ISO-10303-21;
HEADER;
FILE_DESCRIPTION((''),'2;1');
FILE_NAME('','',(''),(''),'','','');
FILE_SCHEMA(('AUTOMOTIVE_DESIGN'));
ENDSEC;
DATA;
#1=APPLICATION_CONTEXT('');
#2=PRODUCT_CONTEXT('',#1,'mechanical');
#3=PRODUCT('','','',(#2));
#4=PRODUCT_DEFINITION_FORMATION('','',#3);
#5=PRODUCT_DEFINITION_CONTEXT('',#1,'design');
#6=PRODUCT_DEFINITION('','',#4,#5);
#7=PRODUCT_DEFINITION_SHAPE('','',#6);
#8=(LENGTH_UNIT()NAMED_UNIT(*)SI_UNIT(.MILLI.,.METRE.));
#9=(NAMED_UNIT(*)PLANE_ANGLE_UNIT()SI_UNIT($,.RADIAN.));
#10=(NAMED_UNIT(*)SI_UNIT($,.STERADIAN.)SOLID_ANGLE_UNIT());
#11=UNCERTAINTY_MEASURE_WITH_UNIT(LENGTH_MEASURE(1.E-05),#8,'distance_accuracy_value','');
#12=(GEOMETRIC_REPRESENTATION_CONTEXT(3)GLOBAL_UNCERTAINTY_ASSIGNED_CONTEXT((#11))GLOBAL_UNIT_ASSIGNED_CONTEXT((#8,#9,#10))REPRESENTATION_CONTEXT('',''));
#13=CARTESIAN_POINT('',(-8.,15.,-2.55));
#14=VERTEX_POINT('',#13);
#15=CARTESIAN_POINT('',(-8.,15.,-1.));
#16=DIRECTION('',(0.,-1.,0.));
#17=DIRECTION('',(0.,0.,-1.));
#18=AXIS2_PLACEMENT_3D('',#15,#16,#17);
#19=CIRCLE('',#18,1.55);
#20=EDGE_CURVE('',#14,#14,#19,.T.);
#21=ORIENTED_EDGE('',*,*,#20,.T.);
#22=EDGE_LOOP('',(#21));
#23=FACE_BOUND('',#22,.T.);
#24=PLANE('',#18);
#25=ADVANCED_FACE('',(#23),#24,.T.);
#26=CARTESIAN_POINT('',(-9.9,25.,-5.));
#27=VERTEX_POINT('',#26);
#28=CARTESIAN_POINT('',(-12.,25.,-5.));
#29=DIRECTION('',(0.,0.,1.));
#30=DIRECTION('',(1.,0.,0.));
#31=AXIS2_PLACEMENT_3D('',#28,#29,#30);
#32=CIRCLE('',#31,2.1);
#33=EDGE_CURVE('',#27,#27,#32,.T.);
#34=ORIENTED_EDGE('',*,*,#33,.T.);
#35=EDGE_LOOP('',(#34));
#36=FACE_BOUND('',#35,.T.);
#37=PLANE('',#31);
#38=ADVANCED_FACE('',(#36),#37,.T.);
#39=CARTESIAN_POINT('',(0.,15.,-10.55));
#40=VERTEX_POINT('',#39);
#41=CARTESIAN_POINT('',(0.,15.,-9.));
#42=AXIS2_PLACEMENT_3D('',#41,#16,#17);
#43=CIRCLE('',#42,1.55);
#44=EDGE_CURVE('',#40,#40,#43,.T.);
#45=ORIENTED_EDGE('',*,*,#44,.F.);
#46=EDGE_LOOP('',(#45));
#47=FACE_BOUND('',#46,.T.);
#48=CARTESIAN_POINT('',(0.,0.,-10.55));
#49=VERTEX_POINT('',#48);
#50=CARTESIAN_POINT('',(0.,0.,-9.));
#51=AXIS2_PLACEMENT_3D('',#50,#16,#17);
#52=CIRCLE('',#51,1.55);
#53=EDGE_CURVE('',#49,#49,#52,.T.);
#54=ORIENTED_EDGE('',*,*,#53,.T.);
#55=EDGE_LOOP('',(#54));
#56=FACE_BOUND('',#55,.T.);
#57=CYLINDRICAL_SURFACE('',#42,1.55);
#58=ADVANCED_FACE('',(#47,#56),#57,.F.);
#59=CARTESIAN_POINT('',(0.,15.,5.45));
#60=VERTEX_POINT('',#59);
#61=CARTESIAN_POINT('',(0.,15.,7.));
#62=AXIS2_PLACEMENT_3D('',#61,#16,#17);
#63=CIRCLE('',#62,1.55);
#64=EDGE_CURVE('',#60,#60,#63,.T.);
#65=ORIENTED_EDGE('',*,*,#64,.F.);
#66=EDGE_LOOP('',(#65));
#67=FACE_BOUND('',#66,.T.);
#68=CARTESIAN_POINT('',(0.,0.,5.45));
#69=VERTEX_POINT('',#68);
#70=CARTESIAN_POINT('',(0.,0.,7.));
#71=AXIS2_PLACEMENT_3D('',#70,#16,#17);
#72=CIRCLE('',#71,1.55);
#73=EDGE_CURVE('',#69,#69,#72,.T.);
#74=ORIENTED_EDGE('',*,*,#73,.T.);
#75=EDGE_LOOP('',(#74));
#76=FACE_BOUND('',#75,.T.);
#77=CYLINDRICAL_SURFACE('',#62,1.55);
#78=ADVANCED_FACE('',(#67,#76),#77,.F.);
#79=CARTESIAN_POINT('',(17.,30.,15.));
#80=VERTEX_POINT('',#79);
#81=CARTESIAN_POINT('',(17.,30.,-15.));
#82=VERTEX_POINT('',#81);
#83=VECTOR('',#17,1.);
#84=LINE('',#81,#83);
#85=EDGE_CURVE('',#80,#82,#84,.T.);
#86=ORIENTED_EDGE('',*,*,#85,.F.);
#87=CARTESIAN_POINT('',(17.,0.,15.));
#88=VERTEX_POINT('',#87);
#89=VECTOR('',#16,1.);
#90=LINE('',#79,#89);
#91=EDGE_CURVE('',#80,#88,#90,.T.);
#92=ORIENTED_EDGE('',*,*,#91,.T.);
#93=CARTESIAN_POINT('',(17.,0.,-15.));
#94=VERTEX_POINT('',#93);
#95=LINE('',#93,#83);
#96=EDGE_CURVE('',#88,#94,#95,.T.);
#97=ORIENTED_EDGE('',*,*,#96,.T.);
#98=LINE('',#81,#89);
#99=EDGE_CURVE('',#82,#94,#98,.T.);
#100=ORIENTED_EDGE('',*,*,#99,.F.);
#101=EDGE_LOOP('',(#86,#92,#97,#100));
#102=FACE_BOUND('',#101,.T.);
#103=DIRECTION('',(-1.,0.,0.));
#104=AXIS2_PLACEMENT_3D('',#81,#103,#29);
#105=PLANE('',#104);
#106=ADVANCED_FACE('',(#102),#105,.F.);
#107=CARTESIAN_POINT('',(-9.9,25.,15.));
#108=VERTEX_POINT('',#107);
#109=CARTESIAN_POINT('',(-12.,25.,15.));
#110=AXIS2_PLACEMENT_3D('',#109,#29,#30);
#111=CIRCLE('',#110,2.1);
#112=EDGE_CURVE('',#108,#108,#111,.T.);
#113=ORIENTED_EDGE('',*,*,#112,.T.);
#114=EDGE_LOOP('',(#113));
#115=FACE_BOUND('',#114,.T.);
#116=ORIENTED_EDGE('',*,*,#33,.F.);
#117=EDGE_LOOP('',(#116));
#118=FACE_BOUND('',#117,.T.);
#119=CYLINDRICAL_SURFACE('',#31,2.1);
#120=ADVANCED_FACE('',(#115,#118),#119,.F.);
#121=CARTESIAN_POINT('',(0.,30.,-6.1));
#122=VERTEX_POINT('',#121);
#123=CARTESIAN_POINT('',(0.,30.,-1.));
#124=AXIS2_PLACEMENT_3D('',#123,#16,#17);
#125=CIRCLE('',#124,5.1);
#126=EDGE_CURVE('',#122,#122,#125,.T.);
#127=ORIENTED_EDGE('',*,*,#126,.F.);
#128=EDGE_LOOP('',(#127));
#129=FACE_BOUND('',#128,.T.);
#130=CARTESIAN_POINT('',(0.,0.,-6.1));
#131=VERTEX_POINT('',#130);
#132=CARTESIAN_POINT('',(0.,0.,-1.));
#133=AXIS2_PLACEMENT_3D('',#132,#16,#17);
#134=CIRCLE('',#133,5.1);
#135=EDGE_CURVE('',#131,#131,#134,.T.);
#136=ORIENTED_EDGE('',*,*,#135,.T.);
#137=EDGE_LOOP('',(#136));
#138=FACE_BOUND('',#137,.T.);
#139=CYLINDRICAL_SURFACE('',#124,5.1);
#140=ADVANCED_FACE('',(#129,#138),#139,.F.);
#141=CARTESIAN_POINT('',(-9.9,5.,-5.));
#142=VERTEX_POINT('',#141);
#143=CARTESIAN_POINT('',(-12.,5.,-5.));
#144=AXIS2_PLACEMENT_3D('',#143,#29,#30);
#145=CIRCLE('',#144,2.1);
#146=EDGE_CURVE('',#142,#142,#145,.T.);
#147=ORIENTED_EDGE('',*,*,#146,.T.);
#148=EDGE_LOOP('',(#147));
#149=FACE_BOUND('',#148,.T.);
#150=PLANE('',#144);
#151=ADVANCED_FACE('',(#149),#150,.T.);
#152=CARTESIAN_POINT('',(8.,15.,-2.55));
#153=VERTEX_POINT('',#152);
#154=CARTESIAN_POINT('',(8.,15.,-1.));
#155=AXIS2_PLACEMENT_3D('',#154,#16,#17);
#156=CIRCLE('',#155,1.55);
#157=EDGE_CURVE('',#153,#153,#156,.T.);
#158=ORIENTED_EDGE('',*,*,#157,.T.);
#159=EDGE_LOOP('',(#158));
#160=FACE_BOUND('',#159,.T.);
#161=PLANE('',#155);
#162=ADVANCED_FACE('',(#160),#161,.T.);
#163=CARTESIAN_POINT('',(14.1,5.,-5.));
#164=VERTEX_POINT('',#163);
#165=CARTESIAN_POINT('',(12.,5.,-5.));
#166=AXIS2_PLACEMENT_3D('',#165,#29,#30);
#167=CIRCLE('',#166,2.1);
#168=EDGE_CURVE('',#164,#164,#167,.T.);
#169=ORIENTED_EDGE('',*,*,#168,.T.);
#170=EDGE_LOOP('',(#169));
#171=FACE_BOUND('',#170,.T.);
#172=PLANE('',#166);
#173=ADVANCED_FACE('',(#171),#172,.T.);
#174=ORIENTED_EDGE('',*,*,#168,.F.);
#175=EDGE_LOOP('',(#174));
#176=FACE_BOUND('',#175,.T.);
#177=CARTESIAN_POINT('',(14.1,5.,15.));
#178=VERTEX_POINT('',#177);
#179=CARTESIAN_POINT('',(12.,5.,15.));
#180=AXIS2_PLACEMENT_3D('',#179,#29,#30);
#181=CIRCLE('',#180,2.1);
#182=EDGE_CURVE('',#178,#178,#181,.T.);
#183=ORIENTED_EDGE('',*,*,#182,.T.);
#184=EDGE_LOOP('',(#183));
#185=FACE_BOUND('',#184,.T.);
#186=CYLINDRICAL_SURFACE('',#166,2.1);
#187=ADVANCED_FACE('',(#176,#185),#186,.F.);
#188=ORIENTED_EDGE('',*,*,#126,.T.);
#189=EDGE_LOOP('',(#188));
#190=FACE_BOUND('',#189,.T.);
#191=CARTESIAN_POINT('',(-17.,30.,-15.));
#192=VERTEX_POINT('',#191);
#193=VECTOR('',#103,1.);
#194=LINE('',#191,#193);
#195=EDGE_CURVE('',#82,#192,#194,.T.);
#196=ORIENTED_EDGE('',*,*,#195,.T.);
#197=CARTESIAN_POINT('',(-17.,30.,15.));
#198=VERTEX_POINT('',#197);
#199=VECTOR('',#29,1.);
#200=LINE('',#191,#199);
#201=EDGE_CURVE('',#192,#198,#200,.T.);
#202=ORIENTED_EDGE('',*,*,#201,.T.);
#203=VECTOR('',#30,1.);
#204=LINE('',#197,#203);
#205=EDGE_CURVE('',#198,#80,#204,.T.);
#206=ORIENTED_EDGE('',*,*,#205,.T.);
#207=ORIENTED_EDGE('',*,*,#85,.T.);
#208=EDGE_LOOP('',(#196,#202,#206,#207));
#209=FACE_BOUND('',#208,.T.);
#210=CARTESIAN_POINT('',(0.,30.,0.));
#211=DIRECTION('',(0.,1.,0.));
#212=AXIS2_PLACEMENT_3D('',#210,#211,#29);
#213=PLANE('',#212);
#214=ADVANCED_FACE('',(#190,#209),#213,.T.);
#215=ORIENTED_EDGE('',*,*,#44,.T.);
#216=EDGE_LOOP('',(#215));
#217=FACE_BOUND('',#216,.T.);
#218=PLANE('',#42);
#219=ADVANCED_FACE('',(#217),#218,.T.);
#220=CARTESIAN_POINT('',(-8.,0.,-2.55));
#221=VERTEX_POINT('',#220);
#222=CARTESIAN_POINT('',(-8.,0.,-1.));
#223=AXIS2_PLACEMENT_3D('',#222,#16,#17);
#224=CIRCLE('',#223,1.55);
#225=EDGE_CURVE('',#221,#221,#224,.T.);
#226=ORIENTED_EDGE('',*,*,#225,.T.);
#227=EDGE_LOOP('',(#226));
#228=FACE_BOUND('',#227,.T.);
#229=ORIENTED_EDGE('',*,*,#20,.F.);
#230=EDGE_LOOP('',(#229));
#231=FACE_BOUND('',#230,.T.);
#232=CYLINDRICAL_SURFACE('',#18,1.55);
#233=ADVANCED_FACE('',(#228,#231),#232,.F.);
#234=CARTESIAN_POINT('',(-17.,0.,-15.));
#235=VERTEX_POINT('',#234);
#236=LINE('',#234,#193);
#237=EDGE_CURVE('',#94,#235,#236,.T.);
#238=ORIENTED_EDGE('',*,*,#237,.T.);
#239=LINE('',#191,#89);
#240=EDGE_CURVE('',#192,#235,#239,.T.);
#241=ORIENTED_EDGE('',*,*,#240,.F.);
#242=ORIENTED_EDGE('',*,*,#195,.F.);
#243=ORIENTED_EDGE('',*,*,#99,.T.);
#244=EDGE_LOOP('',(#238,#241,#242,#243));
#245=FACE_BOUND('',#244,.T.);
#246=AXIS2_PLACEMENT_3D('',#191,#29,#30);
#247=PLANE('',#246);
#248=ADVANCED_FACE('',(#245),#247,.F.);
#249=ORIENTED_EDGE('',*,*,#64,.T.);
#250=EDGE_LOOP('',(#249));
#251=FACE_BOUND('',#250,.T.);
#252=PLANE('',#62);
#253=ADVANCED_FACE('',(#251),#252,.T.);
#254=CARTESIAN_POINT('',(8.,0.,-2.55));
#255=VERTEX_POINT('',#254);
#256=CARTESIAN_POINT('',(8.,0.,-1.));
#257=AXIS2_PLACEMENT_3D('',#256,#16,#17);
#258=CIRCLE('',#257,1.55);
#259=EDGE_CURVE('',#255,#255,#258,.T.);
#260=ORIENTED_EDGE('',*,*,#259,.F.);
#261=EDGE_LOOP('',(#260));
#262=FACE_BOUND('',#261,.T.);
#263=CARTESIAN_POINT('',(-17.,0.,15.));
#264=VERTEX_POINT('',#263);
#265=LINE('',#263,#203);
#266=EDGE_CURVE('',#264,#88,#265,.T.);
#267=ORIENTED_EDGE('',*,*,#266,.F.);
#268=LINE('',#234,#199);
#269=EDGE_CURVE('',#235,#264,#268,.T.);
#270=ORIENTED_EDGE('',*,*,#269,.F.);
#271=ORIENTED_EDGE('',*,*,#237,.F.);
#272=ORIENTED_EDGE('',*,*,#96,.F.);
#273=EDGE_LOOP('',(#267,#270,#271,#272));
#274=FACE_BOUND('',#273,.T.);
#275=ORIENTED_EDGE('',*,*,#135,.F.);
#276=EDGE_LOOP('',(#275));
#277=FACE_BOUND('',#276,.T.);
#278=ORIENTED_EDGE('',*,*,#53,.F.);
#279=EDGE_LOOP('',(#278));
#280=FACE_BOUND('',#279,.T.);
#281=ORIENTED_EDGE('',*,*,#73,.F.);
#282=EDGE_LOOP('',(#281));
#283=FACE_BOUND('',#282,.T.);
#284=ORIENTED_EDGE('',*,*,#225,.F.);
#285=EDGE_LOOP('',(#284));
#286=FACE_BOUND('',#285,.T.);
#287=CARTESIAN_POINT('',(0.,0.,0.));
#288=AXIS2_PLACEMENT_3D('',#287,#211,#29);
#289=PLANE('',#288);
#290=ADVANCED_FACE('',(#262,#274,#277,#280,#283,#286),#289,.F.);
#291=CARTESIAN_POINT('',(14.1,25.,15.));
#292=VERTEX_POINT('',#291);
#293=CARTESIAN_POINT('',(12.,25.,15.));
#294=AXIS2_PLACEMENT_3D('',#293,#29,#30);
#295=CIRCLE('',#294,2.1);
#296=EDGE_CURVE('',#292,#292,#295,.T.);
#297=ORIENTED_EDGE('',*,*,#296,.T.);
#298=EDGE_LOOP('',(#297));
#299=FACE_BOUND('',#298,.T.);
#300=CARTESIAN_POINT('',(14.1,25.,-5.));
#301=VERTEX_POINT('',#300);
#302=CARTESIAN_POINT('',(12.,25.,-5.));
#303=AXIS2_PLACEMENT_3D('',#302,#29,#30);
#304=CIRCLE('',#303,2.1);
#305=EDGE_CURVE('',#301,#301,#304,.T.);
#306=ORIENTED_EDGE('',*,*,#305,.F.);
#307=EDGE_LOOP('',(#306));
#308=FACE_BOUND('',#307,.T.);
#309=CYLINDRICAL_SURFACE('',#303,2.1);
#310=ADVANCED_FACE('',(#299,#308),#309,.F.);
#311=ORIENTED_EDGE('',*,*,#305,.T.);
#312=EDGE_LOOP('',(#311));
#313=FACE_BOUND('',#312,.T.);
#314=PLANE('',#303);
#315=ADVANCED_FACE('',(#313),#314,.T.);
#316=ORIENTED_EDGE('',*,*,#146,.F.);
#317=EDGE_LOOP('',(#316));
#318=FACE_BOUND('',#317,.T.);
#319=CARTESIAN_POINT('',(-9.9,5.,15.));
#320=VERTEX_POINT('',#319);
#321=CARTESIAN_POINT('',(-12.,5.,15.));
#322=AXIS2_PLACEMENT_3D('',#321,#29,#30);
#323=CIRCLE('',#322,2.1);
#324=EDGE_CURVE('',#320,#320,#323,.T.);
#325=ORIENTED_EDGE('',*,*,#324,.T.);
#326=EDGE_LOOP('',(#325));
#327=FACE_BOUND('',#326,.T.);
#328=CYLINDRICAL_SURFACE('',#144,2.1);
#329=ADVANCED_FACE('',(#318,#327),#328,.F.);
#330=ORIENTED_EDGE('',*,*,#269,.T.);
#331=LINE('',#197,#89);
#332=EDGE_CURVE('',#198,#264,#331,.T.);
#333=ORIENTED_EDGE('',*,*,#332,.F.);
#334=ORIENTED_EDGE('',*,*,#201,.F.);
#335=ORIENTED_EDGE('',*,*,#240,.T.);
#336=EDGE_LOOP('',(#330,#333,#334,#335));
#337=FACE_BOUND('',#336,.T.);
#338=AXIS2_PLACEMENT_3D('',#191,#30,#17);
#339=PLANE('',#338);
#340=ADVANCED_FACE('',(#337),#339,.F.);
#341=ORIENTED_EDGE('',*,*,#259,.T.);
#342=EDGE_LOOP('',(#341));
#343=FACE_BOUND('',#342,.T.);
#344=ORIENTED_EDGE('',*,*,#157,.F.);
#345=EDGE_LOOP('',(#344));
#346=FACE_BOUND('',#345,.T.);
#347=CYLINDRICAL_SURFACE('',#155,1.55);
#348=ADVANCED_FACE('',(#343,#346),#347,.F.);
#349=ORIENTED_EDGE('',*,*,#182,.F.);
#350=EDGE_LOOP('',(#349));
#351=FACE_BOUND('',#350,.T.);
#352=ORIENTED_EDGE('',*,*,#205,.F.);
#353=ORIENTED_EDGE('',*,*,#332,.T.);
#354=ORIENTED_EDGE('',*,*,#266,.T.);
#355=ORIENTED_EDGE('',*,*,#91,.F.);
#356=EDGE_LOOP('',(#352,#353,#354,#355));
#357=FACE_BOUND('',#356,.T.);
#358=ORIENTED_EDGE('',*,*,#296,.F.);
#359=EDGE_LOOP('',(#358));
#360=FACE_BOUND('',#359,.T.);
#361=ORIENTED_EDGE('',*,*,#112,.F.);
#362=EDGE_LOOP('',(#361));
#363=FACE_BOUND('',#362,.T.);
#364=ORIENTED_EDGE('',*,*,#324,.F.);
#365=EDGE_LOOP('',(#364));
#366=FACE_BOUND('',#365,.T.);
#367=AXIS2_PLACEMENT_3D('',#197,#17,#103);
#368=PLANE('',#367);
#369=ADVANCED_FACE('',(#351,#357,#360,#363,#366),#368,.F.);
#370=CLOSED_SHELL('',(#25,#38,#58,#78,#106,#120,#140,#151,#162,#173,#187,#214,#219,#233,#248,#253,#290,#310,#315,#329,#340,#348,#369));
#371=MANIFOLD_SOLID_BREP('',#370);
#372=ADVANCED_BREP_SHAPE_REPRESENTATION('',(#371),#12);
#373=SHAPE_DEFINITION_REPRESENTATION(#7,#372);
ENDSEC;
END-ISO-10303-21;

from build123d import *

# Parameters (mm, degrees)
SKETCH_1_W          = 34
SKETCH_1_H          = 30
EXTRUDE_1_DEPTH     = 30
SKETCH_2_R          = 5.1
CUT_EXTRUDE_1_DEPTH = 38.603191354
SKETCH_3_R          = 1.55
CUT_EXTRUDE_2_DEPTH = 15
SKETCH_4_R          = 2.1
CUT_EXTRUDE_3_DEPTH = 20


with BuildPart() as part:
    # 草图1 → 凸台-拉伸1 (new body)
    with BuildSketch(Plane(origin=(0, 0, 0), x_dir=(1, 0, 0), z_dir=(0, 1, 0))):
        Rectangle(SKETCH_1_W, SKETCH_1_H)
    extrude(amount=EXTRUDE_1_DEPTH)

    # 草图2 → 切除-拉伸1 (cut, through all)
    with BuildSketch(Plane(origin=(0, 0, 0), x_dir=(-1, 0, 0), z_dir=(0, -1, 0))):
        with Locations(Location((0, 1, 0), (0, 0, 90))):
            Circle(SKETCH_2_R)
    extrude(amount=-CUT_EXTRUDE_1_DEPTH, mode=Mode.SUBTRACT)

    # 草图3 → 切除-拉伸2 (cut)
    with BuildSketch(Plane(origin=(0, 0, 0), x_dir=(-1, 0, 0), z_dir=(0, -1, 0))):
        with Locations(Location((8, 1, 0), (0, 0, 90))):
            Circle(SKETCH_3_R)
        with Locations(Location((0, -7, 0), (0, 0, 90))):
            Circle(SKETCH_3_R)
        with Locations(Location((-8, 1, 0), (0, 0, 90))):
            Circle(SKETCH_3_R)
        with Locations(Location((0, 9, 0), (0, 0, 90))):
            Circle(SKETCH_3_R)
    extrude(amount=-CUT_EXTRUDE_2_DEPTH, mode=Mode.SUBTRACT)

    # 草图4 → 切除-拉伸3 (cut)
    with BuildSketch(Plane.XY.offset(15)):
        with Locations((-12, 5)):
            Circle(SKETCH_4_R)
        with Locations((12, 5)):
            Circle(SKETCH_4_R)
        with Locations((12, 25)):
            Circle(SKETCH_4_R)
        with Locations((-12, 25)):
            Circle(SKETCH_4_R)
    extrude(amount=-CUT_EXTRUDE_3_DEPTH, mode=Mode.SUBTRACT)


solid = part.part
